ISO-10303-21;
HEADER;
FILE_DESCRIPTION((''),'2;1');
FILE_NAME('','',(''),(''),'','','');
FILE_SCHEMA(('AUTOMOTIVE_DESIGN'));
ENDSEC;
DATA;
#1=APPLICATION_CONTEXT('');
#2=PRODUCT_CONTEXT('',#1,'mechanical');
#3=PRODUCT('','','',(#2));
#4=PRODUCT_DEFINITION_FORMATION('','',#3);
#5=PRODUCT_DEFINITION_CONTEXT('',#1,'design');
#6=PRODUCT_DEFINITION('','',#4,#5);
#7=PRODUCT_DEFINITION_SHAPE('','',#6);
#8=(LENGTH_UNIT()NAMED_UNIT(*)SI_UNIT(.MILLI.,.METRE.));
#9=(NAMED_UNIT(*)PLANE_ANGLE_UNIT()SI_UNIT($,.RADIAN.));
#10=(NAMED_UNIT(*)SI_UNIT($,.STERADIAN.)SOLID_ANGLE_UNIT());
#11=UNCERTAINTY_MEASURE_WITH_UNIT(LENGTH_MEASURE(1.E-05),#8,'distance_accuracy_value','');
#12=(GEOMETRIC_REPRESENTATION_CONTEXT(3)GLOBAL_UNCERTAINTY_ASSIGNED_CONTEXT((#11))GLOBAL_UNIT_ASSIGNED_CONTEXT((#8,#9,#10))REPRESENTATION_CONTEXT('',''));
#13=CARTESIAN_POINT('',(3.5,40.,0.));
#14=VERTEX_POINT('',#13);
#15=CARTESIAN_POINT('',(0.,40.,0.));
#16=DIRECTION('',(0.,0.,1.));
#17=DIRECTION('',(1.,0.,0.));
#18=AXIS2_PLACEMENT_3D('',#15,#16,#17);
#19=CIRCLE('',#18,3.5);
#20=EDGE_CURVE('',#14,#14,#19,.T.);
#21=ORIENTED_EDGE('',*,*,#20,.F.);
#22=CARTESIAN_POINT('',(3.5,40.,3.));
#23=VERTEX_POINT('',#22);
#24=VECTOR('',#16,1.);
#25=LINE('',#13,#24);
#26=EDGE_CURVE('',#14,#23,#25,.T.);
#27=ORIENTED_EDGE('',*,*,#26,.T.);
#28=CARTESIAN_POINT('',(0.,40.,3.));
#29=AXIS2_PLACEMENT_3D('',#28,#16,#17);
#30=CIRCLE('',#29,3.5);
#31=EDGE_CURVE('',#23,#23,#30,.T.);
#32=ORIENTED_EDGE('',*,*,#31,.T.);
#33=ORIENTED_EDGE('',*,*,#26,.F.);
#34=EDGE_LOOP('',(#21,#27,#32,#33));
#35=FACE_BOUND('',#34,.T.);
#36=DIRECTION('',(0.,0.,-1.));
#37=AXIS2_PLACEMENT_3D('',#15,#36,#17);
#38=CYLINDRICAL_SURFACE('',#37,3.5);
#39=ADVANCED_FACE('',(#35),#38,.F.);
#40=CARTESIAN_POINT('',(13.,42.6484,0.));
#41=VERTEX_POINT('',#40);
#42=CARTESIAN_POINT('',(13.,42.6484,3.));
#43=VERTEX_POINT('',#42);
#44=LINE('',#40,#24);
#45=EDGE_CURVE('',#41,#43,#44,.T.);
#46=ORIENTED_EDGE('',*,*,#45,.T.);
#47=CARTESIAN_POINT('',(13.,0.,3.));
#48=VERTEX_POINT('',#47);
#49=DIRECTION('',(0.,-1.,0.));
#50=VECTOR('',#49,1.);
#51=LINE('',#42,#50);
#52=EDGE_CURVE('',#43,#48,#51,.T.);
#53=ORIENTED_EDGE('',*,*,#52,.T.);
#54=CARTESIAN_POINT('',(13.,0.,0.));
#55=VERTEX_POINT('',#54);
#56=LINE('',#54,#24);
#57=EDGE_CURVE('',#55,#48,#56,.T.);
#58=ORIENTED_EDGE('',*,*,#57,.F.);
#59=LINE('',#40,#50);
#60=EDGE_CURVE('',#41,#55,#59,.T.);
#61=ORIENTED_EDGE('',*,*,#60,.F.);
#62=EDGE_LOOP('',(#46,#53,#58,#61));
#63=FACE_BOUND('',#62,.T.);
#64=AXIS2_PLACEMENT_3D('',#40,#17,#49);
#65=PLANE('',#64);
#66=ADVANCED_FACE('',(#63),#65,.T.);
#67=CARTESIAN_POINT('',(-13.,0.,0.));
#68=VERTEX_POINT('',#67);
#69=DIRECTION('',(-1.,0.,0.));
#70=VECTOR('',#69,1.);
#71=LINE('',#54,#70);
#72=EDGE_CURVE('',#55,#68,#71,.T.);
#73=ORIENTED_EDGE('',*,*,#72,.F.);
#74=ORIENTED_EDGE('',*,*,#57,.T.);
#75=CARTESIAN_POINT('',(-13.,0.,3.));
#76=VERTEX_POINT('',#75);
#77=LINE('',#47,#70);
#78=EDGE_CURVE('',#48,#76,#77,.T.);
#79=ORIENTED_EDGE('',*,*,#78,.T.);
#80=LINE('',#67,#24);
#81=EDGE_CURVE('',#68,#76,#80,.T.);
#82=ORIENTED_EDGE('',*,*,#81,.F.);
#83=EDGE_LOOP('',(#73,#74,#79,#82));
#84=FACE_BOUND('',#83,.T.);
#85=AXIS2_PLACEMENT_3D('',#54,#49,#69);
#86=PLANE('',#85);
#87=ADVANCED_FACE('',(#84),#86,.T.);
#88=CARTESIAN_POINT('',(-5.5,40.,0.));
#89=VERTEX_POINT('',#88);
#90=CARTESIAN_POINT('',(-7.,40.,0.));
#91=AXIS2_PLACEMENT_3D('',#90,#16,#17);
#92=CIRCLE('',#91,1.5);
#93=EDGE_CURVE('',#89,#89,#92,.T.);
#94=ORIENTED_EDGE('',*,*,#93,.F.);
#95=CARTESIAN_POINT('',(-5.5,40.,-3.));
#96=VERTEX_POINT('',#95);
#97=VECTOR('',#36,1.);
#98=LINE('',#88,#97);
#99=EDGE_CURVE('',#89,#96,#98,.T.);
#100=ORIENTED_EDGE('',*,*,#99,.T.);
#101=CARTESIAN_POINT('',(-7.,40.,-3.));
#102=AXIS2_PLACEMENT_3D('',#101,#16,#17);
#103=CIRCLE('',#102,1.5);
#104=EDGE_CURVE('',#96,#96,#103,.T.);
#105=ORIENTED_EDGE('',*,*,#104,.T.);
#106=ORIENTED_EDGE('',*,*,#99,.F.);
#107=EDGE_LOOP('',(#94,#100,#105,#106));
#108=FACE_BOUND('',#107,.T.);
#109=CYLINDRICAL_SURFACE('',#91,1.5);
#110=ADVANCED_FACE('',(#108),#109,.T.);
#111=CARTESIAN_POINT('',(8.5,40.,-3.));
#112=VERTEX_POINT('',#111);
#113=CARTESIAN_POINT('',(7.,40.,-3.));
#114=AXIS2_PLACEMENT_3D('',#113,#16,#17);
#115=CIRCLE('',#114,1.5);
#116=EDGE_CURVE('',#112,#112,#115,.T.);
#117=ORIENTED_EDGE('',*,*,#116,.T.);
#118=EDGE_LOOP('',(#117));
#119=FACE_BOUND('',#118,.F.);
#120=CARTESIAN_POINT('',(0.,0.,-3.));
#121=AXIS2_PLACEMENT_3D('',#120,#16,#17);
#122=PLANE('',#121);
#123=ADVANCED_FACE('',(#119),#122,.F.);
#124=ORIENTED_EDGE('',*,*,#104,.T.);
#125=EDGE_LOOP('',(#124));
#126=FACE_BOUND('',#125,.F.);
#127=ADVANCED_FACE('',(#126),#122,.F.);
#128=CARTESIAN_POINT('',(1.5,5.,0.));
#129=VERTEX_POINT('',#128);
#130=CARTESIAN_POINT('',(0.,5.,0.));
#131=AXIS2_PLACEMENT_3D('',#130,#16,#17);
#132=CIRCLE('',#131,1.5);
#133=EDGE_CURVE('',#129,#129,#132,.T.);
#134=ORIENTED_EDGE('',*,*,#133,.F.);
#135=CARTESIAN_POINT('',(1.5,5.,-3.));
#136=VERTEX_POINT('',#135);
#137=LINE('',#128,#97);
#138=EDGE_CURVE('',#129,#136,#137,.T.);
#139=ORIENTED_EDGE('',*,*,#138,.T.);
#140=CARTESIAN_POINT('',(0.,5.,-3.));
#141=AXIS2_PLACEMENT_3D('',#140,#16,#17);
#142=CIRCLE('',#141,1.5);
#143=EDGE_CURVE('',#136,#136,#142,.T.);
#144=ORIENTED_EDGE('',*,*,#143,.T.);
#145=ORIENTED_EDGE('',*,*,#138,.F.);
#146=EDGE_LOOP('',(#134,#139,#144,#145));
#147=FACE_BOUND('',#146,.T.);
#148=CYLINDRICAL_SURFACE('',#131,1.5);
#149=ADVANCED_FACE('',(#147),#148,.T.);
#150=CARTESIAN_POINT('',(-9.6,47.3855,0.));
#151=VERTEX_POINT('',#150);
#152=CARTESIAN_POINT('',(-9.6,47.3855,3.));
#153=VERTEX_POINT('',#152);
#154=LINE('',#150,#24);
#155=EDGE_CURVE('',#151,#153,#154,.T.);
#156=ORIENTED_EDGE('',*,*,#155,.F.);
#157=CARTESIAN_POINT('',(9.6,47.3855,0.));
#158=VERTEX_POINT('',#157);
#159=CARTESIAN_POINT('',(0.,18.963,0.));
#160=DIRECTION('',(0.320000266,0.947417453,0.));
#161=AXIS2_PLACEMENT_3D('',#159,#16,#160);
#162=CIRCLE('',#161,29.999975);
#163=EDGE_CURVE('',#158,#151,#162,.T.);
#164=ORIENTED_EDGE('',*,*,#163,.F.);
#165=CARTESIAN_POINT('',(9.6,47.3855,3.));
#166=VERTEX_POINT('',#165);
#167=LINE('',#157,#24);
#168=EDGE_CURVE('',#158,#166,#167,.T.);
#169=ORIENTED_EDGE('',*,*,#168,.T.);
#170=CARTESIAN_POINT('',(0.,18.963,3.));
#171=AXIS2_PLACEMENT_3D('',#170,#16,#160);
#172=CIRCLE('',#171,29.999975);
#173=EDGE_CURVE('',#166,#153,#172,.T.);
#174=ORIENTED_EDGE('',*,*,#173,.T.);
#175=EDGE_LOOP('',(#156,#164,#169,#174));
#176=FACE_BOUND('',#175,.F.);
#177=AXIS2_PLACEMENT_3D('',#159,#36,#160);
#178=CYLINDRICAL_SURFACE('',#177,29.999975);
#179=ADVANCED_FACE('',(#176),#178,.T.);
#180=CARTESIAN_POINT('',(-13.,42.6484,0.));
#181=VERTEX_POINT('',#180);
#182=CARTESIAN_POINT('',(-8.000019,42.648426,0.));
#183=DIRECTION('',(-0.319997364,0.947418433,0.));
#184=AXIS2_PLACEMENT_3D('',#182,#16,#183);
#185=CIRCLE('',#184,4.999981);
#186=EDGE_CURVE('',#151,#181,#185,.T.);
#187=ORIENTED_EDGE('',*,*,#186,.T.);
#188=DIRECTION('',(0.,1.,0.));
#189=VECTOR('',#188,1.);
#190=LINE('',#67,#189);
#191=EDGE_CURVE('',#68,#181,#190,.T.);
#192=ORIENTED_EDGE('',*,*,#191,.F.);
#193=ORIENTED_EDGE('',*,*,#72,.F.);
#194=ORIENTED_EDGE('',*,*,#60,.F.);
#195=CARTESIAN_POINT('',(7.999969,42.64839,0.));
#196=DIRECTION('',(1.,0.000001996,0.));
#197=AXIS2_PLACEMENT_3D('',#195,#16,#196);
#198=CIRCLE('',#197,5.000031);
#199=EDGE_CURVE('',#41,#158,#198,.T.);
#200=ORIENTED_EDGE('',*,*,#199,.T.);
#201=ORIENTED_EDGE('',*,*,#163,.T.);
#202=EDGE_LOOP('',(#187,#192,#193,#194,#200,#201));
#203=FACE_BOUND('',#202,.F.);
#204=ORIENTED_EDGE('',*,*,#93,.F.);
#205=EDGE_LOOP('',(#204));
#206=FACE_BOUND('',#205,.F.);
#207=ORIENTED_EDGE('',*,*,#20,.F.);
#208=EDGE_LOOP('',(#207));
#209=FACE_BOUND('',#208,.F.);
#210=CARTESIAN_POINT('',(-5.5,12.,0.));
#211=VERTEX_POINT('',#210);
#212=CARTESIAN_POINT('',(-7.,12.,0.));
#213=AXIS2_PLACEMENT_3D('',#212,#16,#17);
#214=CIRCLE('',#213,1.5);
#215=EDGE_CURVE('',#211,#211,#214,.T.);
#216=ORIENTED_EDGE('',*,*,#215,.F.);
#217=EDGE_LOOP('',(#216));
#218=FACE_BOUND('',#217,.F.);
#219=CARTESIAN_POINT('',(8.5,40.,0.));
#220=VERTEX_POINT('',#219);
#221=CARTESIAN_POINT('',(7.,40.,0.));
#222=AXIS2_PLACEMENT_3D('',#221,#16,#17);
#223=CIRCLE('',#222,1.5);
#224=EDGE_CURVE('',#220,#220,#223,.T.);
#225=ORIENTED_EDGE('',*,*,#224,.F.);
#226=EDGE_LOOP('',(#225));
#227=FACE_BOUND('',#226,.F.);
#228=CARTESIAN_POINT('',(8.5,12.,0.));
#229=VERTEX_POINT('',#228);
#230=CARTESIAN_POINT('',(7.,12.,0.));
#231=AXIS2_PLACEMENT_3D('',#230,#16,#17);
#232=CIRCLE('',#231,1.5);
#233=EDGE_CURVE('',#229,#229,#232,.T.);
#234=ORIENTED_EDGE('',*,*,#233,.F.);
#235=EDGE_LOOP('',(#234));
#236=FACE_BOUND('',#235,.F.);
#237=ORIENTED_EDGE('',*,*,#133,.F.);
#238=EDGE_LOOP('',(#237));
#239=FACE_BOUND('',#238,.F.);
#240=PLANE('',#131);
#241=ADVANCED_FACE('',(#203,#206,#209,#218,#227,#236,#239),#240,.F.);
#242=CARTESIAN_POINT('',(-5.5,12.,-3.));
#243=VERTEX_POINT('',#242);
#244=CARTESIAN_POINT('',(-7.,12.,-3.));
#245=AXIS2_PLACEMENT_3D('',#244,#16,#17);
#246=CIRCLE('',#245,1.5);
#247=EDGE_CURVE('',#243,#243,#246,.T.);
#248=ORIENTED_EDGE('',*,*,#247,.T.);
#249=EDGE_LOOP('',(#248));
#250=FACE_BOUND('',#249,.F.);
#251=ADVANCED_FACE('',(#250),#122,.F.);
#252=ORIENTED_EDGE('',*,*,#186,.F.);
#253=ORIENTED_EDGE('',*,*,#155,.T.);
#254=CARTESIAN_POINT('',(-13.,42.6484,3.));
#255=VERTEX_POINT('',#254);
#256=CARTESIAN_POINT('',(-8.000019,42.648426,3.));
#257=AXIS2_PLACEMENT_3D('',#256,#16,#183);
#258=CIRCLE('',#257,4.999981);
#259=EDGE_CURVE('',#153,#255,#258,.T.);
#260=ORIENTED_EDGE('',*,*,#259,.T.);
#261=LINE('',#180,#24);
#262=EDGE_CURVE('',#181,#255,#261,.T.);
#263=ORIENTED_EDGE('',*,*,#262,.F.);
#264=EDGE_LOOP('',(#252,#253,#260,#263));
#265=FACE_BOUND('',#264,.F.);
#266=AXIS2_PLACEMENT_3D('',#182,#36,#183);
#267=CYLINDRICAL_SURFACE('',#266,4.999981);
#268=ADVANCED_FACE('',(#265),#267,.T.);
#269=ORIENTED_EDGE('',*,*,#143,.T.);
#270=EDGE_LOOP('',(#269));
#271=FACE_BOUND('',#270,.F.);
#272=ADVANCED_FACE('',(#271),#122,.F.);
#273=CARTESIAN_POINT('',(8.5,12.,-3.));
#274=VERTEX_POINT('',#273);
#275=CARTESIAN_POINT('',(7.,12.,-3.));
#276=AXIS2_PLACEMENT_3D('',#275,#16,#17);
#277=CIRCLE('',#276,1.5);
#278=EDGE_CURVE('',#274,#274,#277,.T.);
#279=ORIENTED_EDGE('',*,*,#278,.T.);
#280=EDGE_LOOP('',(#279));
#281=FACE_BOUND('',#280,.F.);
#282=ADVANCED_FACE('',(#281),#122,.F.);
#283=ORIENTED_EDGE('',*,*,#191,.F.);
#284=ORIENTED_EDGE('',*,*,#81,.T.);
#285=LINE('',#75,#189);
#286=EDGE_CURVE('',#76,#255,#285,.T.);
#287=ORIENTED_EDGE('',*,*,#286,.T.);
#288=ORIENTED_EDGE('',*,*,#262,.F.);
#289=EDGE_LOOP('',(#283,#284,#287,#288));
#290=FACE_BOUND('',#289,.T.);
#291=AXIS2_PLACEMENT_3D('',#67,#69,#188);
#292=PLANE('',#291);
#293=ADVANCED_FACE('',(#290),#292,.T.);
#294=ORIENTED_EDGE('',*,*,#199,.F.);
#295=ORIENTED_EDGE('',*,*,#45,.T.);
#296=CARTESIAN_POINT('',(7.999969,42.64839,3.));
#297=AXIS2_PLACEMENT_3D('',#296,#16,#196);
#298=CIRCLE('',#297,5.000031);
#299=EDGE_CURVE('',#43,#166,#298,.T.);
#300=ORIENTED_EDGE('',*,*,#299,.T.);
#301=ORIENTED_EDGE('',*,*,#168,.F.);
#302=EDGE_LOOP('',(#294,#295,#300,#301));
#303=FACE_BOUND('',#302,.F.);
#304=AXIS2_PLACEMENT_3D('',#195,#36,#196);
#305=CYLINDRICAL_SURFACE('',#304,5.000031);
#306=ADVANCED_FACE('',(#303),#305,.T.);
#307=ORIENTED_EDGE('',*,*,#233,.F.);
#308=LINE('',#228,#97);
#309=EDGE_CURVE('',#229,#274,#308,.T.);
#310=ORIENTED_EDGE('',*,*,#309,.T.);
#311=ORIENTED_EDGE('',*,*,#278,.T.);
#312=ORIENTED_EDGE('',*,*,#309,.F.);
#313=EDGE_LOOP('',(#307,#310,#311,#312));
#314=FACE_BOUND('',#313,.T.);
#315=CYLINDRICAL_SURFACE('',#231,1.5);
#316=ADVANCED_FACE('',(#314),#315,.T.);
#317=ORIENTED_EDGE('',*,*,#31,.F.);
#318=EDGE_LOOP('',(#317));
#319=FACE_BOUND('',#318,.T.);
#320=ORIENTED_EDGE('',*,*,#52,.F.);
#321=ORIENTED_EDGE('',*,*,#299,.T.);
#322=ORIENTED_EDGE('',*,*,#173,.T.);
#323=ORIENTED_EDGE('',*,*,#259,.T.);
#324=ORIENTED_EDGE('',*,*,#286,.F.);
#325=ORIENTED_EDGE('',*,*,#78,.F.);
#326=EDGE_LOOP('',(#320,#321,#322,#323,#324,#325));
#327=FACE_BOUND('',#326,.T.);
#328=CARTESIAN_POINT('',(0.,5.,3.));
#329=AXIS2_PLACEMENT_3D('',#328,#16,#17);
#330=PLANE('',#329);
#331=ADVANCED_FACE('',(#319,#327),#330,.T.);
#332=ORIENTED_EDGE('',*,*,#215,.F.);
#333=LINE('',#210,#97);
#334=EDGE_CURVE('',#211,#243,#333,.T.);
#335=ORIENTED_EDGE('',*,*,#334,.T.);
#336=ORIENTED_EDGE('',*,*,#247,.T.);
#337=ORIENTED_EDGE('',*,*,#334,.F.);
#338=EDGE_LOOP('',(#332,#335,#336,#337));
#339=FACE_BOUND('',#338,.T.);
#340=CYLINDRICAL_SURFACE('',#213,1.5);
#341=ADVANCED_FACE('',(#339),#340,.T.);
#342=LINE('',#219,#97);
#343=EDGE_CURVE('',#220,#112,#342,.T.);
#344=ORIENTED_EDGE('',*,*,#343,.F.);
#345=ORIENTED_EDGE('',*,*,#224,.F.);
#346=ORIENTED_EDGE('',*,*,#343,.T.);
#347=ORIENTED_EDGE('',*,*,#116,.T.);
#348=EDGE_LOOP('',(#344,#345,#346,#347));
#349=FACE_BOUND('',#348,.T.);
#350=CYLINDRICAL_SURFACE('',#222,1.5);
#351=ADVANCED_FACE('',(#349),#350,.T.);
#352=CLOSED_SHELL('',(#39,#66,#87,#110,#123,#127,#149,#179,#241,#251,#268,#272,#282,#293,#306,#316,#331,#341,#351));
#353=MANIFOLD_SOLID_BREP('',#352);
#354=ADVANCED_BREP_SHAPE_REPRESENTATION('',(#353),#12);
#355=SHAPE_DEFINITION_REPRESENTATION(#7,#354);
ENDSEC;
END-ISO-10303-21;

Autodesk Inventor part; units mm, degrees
ref_plane "YZ Plane" through (0, 0, 0) normal (1, 0, 0) x (0, 1, 0)
ref_plane "XZ Plane" through (0, 0, 0) normal (0, 1, 0) x (-1, 0, 0)
ref_plane "XY Plane" through (0, 0, 0) normal (0, 0, 1) x (1, 0, 0)
sketch "Эскиз1" plane through (0, 0, 0) normal (0, 0, 1) x (1, 0, 0)
  circle A0 centre (-7, 12) radius 1.5 projected
  circle A1 centre (0, 5) radius 1.5 projected
  circle A2 centre (7, 12) radius 1.5 projected
  circle A3 centre (7, 40) radius 1.5 projected
  circle A4 centre (-7, 40) radius 1.5 projected
  point P0 (0, 0)
extrude "Выдавливание1" add sketch "Эскиз1" against normal blind 3
sketch "Эскиз3" plane through (0, 5, 0) normal (0, 0, 1) x (1, 0, 0)
  line L0 (-13, -5) -> (-13, 37.6484)
  line L1 (13, 37.6484) -> (13, -5)
  line L2 (13, -5) -> (-13, -5)
  circle A0 centre (0, 35) radius 3.5
  arc A1 (13, 37.6484) -> (9.6, 42.3855) centre (8, 37.6484) ccw
  arc A2 (9.6, 42.3855) -> (-9.6, 42.3855) centre (0, 13.963) ccw
  arc A3 (-9.6, 42.3855) -> (-13, 37.6484) centre (-8, 37.6484) ccw
  point P0 (0, -5)
extrude "Выдавливание2" add sketch "Эскиз3" along normal blind 3
properties part number "gasket_2"
